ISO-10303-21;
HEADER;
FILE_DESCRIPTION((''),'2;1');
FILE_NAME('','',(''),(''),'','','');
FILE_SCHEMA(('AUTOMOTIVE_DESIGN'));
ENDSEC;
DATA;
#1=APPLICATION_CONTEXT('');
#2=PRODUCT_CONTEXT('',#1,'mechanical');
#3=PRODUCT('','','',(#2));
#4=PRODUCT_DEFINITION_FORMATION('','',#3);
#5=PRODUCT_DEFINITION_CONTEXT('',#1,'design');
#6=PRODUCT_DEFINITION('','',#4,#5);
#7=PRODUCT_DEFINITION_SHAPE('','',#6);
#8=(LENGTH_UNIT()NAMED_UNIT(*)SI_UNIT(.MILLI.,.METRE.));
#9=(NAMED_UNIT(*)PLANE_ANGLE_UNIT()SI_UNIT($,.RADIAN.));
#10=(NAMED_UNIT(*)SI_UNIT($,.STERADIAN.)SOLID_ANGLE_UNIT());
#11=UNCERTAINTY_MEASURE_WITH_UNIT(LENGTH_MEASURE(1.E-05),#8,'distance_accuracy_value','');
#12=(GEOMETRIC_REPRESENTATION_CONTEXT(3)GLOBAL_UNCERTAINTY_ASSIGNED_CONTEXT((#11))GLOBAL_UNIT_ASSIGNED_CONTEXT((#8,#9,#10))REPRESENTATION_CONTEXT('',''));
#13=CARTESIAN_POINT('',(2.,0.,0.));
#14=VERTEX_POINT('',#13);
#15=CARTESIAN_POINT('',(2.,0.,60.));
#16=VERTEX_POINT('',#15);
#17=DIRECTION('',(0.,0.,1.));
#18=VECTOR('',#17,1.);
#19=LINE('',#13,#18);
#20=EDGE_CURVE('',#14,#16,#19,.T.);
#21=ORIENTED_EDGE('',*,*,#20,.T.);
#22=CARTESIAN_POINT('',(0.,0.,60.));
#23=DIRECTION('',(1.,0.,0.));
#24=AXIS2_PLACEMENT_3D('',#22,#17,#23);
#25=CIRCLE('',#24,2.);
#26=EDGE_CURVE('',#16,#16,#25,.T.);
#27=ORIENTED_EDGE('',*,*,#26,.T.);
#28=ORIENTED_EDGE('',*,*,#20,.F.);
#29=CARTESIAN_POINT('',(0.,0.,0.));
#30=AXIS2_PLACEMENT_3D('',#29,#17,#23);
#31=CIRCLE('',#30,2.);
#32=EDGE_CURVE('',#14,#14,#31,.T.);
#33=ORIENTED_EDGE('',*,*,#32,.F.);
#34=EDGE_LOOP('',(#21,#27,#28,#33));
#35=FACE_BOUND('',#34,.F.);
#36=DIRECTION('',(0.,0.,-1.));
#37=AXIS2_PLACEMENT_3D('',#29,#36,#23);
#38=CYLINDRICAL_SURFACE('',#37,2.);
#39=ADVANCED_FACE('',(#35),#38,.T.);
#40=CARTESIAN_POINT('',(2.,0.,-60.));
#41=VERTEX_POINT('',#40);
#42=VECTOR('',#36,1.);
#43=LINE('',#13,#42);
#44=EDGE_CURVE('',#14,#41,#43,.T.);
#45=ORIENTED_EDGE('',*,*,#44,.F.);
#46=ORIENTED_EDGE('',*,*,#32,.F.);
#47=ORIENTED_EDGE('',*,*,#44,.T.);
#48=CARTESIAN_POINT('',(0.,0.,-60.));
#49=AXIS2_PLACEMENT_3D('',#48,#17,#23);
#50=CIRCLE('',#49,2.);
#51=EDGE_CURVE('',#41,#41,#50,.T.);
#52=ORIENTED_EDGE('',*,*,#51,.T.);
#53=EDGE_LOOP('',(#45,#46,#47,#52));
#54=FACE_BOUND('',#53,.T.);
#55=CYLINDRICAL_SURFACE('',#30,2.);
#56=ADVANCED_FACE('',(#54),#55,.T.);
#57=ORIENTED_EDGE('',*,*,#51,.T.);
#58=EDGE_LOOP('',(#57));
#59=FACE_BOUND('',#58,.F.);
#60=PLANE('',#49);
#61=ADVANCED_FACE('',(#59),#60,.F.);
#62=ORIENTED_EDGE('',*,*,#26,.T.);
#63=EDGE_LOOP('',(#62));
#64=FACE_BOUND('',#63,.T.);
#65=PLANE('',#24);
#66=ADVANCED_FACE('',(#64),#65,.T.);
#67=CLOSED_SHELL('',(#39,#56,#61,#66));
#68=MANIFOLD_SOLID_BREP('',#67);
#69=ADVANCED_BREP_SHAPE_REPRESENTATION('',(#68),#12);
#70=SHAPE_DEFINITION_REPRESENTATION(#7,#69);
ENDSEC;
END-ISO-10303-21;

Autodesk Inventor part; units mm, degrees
ref_plane "YZ Plane" through (0, 0, 0) normal (1, 0, 0) x (0, 1, 0)
ref_plane "XZ Plane" through (0, 0, 0) normal (0, 1, 0) x (-1, 0, 0)
ref_plane "XY Plane" through (0, 0, 0) normal (0, 0, 1) x (1, 0, 0)
sketch "스케치1" plane through (0, 0, 0) normal (0, 0, 1) x (1, 0, 0)
  circle A0 centre (0, 0) radius 2
  dimension "d0" = 4
extrude "돌출1" add sketch "스케치1" along normal mid plane 120
properties part number "120mm 4M 볼트"
